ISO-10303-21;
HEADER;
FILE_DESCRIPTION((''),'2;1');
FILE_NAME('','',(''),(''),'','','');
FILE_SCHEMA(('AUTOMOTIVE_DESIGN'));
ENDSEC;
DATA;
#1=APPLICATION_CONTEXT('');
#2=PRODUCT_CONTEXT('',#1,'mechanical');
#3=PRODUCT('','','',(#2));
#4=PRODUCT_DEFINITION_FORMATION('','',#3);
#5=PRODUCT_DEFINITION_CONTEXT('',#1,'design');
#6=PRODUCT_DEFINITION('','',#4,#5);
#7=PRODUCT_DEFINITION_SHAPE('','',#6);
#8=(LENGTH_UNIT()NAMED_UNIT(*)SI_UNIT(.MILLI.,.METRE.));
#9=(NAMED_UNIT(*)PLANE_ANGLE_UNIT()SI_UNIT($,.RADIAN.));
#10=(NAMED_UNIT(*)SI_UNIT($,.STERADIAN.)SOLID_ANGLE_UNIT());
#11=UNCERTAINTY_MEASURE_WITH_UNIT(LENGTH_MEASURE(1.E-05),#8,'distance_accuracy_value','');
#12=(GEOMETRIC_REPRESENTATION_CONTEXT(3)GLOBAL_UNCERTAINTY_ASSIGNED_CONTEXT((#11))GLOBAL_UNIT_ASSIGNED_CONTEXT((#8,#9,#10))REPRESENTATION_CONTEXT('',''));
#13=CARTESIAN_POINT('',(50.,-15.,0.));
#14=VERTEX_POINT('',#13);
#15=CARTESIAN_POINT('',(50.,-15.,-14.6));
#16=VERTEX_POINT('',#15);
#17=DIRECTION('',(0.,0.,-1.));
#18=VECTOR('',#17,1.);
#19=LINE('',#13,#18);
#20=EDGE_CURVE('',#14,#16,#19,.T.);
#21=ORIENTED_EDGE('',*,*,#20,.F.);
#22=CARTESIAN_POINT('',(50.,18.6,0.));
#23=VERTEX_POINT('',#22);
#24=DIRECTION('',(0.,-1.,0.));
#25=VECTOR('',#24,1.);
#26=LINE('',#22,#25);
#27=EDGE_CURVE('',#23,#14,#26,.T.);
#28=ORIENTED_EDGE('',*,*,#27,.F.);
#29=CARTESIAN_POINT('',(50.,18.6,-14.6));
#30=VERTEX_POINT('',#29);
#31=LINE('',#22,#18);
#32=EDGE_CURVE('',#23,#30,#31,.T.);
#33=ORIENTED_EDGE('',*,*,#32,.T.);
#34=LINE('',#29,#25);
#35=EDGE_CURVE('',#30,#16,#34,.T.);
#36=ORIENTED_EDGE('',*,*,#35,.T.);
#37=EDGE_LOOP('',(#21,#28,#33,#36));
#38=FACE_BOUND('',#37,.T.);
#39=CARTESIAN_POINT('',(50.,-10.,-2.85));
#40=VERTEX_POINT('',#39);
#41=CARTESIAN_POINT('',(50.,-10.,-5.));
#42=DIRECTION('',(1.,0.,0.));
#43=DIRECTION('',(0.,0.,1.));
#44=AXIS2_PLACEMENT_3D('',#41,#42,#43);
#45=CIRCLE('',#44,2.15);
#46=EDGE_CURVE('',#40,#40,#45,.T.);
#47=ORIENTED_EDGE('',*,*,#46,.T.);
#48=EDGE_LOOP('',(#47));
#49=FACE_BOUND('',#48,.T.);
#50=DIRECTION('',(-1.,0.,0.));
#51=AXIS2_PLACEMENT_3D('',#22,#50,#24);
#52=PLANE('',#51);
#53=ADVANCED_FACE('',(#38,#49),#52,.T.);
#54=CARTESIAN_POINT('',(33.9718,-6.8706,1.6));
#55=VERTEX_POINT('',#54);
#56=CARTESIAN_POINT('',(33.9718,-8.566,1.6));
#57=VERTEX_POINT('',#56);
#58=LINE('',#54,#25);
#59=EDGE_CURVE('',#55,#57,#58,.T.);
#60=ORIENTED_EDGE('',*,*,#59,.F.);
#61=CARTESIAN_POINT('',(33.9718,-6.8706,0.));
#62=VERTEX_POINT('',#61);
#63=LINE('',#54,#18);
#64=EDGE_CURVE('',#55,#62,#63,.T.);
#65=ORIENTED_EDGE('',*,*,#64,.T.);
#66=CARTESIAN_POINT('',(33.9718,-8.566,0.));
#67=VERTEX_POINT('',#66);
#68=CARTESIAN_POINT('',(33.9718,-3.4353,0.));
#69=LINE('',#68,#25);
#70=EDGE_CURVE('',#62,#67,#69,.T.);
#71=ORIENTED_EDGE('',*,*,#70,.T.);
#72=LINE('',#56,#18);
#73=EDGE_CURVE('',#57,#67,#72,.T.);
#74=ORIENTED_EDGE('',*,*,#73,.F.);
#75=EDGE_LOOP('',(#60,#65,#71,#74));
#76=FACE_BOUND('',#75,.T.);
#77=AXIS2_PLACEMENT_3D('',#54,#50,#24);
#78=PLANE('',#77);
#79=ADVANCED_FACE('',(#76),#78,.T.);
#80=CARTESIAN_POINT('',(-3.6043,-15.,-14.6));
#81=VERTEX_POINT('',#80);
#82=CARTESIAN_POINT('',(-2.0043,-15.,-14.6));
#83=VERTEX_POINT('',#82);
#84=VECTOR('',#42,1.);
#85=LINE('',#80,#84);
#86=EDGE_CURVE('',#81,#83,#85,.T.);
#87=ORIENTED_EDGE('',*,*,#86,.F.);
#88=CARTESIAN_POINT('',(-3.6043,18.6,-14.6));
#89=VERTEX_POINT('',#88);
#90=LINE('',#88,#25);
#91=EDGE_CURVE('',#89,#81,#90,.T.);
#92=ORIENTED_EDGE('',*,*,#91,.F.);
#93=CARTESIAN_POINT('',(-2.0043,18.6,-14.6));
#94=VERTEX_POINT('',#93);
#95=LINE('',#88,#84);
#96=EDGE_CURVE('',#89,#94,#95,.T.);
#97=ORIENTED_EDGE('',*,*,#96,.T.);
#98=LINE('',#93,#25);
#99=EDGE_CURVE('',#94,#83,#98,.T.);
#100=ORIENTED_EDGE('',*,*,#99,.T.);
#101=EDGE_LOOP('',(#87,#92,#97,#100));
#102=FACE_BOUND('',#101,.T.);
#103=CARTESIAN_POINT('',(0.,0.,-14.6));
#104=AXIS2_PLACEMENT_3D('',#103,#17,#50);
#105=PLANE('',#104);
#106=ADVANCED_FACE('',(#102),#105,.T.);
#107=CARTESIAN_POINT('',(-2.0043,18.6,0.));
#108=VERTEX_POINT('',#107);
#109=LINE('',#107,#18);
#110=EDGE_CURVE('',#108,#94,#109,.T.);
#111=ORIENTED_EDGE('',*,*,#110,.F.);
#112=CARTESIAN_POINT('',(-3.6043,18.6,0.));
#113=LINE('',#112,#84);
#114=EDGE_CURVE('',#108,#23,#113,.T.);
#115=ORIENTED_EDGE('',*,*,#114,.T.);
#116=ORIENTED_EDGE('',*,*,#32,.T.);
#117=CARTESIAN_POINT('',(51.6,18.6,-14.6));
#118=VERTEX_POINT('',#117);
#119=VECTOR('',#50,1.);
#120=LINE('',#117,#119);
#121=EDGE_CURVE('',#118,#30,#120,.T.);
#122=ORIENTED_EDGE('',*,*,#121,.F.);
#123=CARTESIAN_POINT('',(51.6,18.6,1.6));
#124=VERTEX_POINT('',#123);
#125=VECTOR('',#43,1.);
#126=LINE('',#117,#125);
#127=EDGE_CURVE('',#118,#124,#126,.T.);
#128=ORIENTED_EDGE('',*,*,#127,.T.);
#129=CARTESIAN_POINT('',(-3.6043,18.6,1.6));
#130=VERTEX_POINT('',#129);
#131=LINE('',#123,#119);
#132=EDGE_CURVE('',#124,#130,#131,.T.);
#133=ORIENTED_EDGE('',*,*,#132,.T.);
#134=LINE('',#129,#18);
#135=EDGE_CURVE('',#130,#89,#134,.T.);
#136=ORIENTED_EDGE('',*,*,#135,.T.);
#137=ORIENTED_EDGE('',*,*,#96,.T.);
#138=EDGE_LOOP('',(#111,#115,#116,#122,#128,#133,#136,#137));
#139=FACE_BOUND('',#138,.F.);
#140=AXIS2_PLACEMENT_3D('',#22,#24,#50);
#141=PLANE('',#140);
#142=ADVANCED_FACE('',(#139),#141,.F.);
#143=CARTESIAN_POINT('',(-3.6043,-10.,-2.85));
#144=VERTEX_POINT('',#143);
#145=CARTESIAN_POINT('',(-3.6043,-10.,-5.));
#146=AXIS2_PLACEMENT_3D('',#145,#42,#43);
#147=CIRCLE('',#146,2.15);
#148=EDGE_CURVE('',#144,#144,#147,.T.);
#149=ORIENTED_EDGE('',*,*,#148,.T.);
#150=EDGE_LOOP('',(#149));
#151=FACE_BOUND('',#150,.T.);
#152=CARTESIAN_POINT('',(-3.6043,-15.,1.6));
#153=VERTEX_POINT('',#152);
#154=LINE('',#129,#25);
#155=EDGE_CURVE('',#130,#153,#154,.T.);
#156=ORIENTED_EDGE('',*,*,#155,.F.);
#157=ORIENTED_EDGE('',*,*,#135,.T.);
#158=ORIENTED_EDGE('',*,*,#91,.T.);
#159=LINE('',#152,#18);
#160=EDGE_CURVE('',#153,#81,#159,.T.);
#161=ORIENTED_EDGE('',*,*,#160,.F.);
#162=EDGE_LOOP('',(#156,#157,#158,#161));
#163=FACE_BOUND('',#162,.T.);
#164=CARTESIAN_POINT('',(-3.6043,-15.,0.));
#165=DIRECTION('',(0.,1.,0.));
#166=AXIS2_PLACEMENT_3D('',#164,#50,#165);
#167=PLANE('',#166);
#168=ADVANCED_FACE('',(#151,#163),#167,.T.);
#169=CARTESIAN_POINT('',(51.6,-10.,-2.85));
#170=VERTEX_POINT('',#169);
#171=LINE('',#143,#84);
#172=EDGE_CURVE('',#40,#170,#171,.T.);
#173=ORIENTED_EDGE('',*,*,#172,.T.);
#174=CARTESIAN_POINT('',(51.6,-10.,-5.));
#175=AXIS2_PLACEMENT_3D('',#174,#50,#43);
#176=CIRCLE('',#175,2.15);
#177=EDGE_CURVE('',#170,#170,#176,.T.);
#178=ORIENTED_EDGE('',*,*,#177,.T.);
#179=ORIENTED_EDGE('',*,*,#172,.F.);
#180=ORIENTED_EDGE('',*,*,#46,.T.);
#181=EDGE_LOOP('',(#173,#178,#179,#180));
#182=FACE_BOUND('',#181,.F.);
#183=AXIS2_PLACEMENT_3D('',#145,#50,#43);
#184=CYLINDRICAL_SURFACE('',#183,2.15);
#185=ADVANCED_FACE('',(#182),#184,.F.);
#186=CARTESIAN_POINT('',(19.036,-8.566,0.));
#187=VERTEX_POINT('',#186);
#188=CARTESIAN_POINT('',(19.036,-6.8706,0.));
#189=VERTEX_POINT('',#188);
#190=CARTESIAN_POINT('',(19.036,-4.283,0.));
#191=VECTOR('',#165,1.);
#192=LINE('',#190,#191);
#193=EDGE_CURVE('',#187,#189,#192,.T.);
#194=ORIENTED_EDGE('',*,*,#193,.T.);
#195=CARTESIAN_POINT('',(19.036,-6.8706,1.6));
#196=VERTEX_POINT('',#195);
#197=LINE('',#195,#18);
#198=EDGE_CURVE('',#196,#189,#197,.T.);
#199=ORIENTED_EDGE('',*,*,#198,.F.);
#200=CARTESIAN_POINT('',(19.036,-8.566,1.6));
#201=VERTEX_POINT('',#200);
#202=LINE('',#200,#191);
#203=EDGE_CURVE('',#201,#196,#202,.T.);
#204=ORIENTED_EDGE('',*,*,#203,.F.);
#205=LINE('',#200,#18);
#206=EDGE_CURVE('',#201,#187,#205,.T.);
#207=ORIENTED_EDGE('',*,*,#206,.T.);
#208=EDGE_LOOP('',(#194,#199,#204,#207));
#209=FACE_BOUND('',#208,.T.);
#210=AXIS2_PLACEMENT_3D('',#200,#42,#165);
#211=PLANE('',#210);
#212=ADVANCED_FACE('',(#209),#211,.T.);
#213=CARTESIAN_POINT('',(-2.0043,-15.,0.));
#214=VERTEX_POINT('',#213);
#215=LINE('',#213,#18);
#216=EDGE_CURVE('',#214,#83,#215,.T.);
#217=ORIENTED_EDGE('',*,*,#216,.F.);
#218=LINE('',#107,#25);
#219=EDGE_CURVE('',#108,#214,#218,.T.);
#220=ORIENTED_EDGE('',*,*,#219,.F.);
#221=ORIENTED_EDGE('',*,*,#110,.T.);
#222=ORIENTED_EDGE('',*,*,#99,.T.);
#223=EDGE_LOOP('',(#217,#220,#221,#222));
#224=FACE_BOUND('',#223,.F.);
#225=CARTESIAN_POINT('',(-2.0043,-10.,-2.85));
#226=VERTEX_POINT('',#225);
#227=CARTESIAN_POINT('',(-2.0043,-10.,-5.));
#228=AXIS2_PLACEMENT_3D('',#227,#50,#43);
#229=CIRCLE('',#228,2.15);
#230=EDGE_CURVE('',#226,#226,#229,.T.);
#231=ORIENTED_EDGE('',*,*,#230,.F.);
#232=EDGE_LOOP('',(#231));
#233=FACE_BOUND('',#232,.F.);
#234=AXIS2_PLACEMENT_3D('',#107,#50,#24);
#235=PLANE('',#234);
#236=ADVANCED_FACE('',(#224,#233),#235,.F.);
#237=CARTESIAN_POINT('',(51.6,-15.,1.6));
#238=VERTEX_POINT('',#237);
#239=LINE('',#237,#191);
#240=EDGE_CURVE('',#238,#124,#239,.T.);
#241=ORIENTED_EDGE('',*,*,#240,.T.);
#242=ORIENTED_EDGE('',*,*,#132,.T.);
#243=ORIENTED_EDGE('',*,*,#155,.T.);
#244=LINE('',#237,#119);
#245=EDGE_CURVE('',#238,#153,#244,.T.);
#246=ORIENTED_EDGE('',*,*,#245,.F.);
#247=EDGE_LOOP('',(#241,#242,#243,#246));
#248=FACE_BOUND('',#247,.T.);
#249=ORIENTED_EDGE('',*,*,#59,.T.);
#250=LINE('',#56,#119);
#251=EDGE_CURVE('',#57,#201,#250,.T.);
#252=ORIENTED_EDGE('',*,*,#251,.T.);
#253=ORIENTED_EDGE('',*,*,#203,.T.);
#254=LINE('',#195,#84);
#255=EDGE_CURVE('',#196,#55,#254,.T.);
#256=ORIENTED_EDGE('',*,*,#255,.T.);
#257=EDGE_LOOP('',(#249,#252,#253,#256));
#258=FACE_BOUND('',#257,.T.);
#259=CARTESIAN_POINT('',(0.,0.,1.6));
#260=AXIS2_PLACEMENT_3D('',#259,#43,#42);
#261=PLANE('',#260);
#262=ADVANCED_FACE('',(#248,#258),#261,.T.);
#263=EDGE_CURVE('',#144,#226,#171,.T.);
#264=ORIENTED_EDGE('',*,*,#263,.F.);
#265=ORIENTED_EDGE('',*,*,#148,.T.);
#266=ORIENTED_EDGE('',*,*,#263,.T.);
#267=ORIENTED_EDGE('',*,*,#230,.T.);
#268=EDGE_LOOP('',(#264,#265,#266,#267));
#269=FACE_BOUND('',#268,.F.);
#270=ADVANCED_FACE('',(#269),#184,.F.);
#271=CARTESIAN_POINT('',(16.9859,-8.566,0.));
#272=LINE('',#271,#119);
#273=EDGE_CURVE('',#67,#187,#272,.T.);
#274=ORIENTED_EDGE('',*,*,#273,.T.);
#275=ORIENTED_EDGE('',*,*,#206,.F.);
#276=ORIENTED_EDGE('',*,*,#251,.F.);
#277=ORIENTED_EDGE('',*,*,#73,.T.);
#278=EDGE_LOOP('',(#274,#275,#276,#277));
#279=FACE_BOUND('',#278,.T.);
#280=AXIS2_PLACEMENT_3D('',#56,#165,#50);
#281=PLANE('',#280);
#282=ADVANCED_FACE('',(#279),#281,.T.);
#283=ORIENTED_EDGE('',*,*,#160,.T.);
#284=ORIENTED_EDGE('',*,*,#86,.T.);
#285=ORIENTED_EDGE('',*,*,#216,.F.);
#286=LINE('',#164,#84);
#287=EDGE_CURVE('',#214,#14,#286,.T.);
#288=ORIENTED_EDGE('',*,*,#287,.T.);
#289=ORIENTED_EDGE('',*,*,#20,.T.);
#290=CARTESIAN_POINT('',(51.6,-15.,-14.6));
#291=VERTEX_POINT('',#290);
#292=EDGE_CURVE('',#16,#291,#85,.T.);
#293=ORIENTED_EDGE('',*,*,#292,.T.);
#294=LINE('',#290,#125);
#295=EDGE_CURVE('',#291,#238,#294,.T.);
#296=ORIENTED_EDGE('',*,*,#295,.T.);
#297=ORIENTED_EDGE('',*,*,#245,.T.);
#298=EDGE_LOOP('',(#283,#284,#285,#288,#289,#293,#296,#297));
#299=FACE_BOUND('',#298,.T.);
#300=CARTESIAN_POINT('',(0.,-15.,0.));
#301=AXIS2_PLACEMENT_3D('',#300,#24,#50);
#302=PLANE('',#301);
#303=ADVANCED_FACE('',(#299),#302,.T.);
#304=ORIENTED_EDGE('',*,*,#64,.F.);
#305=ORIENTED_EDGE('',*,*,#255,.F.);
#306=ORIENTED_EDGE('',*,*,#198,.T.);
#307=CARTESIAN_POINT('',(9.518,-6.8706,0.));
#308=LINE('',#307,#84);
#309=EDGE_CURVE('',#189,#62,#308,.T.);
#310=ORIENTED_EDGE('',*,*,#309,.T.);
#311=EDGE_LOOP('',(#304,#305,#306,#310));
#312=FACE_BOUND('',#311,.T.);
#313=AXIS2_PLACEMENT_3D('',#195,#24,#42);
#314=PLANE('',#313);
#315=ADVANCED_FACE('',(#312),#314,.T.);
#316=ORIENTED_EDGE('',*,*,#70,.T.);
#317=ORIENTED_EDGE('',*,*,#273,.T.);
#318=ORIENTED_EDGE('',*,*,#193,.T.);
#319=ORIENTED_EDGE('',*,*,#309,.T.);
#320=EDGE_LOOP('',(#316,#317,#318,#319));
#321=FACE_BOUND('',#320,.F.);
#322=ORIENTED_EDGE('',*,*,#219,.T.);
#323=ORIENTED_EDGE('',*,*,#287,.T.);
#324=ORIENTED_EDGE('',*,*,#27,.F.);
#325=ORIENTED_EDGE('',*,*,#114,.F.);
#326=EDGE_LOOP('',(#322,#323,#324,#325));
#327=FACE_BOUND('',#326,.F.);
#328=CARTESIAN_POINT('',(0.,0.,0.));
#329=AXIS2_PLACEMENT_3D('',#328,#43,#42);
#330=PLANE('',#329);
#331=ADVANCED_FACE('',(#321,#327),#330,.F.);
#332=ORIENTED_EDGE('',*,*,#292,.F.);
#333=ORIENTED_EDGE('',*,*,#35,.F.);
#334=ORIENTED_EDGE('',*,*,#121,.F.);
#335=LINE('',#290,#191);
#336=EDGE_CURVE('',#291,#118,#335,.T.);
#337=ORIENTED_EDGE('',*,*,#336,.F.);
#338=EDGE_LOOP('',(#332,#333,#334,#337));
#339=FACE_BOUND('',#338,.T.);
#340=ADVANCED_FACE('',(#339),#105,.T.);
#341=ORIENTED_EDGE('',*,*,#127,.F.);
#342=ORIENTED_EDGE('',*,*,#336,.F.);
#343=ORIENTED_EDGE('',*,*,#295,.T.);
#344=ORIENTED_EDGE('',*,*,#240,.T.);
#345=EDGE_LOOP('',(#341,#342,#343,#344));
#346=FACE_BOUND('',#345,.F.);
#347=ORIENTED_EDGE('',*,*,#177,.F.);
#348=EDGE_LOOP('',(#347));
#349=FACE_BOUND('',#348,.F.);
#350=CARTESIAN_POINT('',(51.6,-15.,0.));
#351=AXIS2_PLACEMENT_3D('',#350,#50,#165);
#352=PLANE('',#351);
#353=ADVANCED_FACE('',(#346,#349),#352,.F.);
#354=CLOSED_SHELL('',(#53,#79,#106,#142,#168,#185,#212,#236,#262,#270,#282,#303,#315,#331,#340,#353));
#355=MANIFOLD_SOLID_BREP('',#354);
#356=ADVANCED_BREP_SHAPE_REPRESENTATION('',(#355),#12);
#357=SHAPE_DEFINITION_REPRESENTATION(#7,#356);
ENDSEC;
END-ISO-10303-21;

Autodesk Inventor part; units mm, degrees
ref_plane "YZ Plane" through (0, 0, 0) normal (1, 0, 0) x (0, 1, 0)
ref_plane "XZ Plane" through (0, 0, 0) normal (0, 1, 0) x (-1, 0, 0)
ref_plane "XY Plane" through (0, 0, 0) normal (0, 0, 1) x (1, 0, 0)
sketch "Sketch1" plane through (0, 0, 0) normal (0, 0, 1) x (1, 0, 0)
  line L0 (0, 0) -> (-1.6043, 0)
  line L1 (-1.6043, 0) -> (-2.0043, 0)
  line L2 (-2.0043, 0) -> (-3.6043, 0)
  line L3 (0, 0) -> (0, -15)
  line L4 (0, -15) -> (-3.6043, -15)
  line L5 (-3.6043, -15) -> (-3.6043, 0)
  line L6 (0, 0) -> (0, 18.6)
  line L7 (0, 18.6) -> (-3.6043, 18.6)
  line L8 (-3.6043, 18.6) -> (-3.6043, 0)
  line L9 (-2.0043, 0) -> (-2.0043, -15)
  line L10 (-2.0043, 0.2824) -> (-2.0043, 18.6)
  line L11 (0, -15) -> (49.6, -15)
  line L12 (49.6, -15) -> (50, -15)
  line L13 (50, -15) -> (51.6, -15)
  line L14 (51.6, -15) -> (51.6, 18.6)
  line L15 (51.6, 18.6) -> (50, 18.6)
  line L16 (50, 18.6) -> (50, -15)
  line L17 (50, 18.6) -> (-2.0043, 18.6)
  dimension "d0" = 0.4
  dimension "d1" = 1.6
  dimension "d2" = 15
  dimension "d4" = 49.6
  dimension "d5" = 0.4
  dimension "d6" = 1.6
extrude "Extrusion1" add sketch "Sketch1" along normal blind 1.6
sketch "Sketch2" plane through (0, 0, 0) normal (0, 0, -1) x (-1, 0, 0)
  line L0 (3.6043, 18.6) -> (3.6043, -15) projected
  line L1 (3.6043, 18.6) -> (2.0043, 18.6)
  line L2 (-51.6, 18.6) -> (3.6043, 18.6) projected
  line L3 (2.0043, 18.6) -> (2.0043, -15)
  line L4 (3.6043, -15) -> (-51.6, -15) projected
  line L5 (-51.6, -15) -> (-51.6, 18.6) projected
  line L6 (-51.6, 18.6) -> (-50, 18.6)
  line L7 (-50, 18.6) -> (-50, -15)
  line L8 (-51.6, 18.6) -> (-50, 18.6)
  line L9 (-51.6, -15) -> (-50, -15)
  line L10 (2.0043, 18.6) -> (3.6043, 18.6)
  line L11 (3.6043, -15) -> (2.0043, -15)
  point P0 (0, 0)
  dimension "d9" = 1.6
  dimension "d10" = 1.6
extrude "Extrusion2" add sketch "Sketch2" along normal blind 14.6 contours L0 L4 L3 L1 | L7 L4 L5 L2
sketch "Sketch3" plane through (-3.6043, -15, 1.6) normal (-1, 0, 0) x (0, 0, 1)
  line L0 (-16.2, 0) -> (0, 0) projected
  line L1 (0, 0) -> (0, 5)
  line L2 (0, 33.6) -> (0, 0) projected
  line L3 (0, 0) -> (-6.6, 0)
  line L4 (-1.6, 0) -> (-16.2, 0) projected
  line L5 (-6.6, 0) -> (-6.6, 5)
  circle A0 centre (-6.6, 5) radius 2.15
  point P0 (-1.6, 15)
  dimension "d13" = 5
  dimension "d14" = 6.6
  dimension "d15" = 4.3
extrude "Extrusion3" cut sketch "Sketch3" against normal blind 68.6
sketch "Sketch4" plane through (0, 0, 1.6) normal (0, 0, 1) x (1, 0, 0)
  line L0 (19.036, -6.8706) -> (33.9718, -6.8706)
  line L1 (33.9718, -6.8706) -> (33.9718, -8.566)
  line L2 (33.9718, -8.566) -> (19.036, -8.566)
  line L3 (19.036, -8.566) -> (19.036, -6.8706)
  point P0 (0, 0)
extrude "Extrusion4" cut sketch "Sketch4" against normal blind 68.6
